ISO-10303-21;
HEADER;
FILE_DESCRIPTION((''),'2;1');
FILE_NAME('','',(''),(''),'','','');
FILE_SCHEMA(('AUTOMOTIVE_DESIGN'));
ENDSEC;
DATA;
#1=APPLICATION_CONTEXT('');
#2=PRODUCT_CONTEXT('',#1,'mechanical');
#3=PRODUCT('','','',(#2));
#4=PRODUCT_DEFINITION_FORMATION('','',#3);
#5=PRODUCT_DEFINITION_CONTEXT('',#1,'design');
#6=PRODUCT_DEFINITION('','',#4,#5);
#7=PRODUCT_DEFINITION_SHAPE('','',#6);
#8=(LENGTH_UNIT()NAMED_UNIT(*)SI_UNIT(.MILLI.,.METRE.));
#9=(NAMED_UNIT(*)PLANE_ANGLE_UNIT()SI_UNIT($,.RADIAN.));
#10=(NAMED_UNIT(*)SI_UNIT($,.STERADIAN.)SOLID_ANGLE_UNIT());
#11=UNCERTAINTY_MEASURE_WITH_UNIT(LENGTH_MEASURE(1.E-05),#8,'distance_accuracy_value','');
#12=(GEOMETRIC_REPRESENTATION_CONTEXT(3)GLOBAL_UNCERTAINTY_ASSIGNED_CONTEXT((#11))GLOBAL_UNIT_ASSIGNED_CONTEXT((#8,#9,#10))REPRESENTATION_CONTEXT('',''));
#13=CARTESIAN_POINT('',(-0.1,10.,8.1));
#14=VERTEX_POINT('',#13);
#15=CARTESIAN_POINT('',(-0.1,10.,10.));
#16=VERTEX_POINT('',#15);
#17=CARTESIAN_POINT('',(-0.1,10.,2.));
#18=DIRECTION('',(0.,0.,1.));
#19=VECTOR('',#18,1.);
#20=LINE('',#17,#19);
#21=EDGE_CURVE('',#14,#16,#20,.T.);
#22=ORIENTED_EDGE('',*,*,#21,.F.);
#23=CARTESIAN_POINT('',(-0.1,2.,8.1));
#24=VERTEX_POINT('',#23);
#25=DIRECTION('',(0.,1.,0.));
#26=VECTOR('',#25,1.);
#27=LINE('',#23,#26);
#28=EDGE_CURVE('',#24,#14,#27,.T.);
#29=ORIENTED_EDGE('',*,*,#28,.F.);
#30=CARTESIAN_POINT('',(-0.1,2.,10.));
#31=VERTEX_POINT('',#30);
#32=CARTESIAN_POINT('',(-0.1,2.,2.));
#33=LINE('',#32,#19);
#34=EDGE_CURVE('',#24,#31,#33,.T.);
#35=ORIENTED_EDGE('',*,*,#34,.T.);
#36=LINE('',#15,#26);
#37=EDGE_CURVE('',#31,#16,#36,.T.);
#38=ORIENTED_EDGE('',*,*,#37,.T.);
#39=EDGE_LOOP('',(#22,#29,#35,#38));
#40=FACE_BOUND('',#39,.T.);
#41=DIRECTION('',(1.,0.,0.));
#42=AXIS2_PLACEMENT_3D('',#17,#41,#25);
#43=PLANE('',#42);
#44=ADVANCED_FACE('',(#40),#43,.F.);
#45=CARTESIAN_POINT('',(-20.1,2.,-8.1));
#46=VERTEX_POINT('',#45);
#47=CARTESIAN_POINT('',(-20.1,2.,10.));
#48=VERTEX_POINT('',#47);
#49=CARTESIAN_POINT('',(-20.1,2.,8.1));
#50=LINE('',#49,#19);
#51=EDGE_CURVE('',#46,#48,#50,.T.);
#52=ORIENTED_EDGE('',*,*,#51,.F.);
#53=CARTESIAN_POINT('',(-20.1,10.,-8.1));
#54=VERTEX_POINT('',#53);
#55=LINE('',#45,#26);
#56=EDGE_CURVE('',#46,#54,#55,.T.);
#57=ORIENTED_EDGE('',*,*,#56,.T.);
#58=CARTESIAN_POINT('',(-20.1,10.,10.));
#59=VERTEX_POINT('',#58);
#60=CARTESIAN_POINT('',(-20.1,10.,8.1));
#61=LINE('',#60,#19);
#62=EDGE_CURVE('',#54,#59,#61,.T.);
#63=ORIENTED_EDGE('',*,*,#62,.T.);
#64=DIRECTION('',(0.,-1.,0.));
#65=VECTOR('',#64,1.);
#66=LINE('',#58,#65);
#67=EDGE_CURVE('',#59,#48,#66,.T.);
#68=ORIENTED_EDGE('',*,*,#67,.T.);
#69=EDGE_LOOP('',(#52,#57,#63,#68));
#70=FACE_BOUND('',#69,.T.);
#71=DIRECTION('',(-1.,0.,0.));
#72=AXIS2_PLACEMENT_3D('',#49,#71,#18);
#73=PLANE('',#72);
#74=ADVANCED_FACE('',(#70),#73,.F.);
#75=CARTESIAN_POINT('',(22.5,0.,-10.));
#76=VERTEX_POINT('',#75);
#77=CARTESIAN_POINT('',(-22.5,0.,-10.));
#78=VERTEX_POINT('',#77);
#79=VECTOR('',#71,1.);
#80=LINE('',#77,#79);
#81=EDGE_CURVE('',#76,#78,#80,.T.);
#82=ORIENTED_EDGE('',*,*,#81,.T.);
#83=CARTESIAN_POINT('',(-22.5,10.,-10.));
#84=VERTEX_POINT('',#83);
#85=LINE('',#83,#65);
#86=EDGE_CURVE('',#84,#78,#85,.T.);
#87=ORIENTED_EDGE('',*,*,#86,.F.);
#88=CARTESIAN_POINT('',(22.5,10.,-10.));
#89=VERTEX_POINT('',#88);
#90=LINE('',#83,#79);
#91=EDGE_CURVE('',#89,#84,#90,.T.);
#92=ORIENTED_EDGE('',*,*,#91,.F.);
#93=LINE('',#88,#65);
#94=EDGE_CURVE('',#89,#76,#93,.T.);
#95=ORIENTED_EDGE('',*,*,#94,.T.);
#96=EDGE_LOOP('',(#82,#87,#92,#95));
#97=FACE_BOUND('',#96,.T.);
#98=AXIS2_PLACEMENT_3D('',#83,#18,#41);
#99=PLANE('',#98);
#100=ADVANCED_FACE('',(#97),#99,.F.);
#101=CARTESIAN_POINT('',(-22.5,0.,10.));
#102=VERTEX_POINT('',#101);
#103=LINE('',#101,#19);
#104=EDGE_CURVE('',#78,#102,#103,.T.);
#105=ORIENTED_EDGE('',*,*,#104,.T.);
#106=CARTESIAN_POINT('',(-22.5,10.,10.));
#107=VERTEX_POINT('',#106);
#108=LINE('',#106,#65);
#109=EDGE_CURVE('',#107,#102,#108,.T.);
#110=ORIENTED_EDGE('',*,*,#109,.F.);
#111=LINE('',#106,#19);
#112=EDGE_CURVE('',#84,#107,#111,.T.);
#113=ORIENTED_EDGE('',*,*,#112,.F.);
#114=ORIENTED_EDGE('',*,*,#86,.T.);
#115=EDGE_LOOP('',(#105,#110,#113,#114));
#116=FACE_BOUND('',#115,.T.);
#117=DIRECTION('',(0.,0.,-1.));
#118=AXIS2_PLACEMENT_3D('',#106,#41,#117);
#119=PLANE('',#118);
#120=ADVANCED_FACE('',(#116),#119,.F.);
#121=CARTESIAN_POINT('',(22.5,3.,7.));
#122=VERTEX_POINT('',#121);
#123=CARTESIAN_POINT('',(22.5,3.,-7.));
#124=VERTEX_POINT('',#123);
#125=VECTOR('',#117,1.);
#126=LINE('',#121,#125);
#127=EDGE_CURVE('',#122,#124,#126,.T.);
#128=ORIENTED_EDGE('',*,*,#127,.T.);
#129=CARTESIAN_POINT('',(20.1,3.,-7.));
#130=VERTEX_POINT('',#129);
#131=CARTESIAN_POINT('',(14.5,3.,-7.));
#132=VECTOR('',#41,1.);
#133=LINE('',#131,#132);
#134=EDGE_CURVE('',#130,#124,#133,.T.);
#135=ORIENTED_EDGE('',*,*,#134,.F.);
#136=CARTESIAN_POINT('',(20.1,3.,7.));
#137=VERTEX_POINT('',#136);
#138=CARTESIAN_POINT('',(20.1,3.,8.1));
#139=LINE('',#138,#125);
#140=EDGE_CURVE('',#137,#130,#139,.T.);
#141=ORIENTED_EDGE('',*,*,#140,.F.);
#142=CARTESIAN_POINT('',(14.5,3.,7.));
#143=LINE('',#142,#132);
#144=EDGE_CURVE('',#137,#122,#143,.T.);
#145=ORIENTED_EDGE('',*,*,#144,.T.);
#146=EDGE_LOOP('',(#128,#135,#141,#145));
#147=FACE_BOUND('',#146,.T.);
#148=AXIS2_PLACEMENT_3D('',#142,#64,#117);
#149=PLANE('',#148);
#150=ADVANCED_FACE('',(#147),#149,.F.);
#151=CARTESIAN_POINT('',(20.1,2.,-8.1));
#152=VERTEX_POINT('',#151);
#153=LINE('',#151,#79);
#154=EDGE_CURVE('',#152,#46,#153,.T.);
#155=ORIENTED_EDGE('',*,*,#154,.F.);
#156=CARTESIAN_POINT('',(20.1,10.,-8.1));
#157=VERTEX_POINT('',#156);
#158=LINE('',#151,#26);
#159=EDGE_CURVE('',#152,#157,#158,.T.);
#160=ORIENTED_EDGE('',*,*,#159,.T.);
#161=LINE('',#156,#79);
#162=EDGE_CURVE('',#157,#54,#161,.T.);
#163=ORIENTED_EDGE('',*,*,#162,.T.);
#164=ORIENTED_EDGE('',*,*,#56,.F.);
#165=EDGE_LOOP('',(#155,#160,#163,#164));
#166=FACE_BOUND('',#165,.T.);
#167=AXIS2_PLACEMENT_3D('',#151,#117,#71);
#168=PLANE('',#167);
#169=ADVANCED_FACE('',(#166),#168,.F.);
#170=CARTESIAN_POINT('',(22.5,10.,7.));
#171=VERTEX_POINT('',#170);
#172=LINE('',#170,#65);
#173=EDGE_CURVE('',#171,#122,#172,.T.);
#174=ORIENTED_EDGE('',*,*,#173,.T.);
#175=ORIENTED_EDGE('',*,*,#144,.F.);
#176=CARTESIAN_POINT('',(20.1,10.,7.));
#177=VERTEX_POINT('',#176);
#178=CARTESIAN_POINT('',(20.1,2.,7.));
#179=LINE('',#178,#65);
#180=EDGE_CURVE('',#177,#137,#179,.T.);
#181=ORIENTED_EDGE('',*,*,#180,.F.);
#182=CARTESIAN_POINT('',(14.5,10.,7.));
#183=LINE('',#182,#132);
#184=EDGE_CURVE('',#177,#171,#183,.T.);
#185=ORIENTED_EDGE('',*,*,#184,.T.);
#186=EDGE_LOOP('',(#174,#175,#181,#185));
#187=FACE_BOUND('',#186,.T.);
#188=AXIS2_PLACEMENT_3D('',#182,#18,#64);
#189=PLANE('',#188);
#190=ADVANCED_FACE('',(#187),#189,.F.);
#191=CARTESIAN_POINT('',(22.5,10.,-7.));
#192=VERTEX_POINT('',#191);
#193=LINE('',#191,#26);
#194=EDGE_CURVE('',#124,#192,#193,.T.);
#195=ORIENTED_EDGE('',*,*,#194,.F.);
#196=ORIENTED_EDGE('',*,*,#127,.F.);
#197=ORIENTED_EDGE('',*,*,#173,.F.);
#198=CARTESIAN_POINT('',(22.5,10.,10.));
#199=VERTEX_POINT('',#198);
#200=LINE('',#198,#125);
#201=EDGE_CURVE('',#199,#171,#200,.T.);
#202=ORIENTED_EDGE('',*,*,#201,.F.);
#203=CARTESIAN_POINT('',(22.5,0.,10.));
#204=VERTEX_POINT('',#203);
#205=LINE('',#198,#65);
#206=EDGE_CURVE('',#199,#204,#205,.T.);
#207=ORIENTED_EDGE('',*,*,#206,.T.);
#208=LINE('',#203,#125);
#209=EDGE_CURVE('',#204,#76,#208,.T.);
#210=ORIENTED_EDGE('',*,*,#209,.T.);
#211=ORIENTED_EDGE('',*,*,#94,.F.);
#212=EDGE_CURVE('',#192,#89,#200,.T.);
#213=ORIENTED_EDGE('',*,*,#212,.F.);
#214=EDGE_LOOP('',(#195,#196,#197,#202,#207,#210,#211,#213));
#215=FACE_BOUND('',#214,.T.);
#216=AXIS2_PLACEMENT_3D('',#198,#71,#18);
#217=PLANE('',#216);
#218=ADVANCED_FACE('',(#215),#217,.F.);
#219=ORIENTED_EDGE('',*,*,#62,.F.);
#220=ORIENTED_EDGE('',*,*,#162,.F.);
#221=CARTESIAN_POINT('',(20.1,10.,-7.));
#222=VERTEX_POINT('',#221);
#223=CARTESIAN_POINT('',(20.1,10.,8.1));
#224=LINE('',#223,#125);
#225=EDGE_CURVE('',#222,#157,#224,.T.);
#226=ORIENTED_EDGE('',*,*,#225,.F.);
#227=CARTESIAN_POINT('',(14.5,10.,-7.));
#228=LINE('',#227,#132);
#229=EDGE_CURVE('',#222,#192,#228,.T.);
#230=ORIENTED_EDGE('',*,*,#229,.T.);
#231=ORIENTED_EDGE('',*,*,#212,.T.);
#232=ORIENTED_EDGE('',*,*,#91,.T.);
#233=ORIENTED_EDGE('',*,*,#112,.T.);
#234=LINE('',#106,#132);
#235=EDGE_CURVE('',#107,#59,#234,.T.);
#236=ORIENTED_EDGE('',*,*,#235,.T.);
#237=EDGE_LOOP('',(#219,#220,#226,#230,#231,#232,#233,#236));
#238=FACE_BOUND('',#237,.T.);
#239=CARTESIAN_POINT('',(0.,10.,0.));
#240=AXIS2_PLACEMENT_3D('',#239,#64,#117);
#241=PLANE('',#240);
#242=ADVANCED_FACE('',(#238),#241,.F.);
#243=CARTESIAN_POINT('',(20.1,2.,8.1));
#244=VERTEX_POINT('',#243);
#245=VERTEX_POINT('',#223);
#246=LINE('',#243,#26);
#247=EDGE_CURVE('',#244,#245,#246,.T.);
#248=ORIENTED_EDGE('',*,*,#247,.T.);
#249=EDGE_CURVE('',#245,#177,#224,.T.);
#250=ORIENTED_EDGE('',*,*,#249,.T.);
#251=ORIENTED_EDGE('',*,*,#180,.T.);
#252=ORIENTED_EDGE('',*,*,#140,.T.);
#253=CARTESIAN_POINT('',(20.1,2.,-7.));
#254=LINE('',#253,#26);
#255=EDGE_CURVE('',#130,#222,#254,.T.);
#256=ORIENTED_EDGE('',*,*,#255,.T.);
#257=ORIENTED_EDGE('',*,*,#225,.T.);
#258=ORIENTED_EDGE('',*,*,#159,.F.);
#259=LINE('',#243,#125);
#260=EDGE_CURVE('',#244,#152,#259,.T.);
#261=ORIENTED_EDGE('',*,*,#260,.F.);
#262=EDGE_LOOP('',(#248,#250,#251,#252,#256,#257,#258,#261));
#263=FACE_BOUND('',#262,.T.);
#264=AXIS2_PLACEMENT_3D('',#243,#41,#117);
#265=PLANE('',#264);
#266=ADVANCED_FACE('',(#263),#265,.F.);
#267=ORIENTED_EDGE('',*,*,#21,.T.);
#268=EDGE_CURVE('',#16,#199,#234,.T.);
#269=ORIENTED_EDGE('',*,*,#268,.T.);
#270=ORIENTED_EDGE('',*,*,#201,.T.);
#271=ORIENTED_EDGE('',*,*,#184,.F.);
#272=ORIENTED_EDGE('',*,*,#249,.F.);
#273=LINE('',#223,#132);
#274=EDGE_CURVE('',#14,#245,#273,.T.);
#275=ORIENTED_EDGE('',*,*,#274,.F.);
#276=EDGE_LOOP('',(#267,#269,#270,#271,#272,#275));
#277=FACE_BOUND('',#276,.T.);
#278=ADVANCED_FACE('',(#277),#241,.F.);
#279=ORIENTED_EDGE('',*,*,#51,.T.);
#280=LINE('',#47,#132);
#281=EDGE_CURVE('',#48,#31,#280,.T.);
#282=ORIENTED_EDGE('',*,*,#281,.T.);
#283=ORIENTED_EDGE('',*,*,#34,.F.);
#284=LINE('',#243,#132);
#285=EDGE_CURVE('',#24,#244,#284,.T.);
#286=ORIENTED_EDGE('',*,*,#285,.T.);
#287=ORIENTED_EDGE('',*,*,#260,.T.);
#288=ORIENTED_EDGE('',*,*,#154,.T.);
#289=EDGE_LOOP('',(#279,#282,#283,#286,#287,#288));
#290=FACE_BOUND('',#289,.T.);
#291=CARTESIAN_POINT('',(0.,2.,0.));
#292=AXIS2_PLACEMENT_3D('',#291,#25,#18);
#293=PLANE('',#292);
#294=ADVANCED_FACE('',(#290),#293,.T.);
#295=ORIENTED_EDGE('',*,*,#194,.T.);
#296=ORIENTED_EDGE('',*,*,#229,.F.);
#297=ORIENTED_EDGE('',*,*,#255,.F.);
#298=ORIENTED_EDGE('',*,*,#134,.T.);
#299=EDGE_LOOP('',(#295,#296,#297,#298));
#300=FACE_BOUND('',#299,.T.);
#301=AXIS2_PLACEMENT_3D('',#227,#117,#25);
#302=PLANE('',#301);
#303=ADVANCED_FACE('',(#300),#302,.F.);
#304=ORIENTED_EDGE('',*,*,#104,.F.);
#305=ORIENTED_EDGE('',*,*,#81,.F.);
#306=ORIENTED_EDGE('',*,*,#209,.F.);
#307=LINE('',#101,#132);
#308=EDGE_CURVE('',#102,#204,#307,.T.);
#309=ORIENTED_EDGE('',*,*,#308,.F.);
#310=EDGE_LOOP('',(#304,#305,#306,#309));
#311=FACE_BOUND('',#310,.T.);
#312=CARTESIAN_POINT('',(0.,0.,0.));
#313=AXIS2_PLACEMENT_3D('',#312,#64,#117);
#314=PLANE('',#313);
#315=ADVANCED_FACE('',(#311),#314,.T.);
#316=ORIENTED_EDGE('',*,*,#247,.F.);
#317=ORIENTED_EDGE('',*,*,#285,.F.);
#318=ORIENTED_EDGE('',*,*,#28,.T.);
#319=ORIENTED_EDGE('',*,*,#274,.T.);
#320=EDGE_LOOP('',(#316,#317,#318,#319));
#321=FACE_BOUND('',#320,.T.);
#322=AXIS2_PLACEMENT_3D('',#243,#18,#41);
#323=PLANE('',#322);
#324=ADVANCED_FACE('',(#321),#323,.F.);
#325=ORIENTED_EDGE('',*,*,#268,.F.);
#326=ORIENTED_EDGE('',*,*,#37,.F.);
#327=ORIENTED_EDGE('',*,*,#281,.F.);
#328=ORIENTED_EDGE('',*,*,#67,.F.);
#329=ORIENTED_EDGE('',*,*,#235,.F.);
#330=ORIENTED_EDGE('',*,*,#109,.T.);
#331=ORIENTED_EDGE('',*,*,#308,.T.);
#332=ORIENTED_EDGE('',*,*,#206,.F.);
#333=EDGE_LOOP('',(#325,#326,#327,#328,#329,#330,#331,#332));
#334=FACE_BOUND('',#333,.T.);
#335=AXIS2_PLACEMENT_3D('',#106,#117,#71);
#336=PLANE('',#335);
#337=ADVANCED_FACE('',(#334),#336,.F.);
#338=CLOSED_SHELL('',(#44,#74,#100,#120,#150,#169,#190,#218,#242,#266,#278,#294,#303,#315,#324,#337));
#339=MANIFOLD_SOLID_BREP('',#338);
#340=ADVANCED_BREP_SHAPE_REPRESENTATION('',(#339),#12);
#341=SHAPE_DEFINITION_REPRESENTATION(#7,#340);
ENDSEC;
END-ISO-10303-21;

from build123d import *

# Parameters (mm, degrees)
CROQUIS1_W              = 45
CROQUIS1_H              = 20
SALIENTE_EXTRUIR1_DEPTH = 10
CROQUIS2_W              = 40.2
CROQUIS2_H              = 16.2
CORTAR_EXTRUIR1_DEPTH   = 8
CROQUIS3_W              = 14
CROQUIS3_H              = 7
CORTAR_EXTRUIR2_DEPTH   = 8
CROQUIS4_W              = 20
CROQUIS4_H              = 8
CORTAR_EXTRUIR3_DEPTH   = 8


with BuildPart() as part:
    # Croquis1 → Saliente-Extruir1 (new body)
    with BuildSketch(Plane(origin=(0, 0, 0), x_dir=(1, 0, 0), z_dir=(0, 1, 0))):
        Rectangle(CROQUIS1_W, CROQUIS1_H)
    extrude(amount=SALIENTE_EXTRUIR1_DEPTH)

    # Croquis2 → Cortar-Extruir1 (cut)
    with BuildSketch(Plane(origin=(0, 10, 0), x_dir=(1, 0, 0), z_dir=(0, 1, 0))):
        Rectangle(CROQUIS2_W, CROQUIS2_H)
    extrude(amount=-CORTAR_EXTRUIR1_DEPTH, mode=Mode.SUBTRACT)

    # Croquis3 → Cortar-Extruir2 (cut)
    with BuildSketch(Plane(origin=(22.5, 0, 0), x_dir=(0, 0, -1), z_dir=(1, 0, 0))):
        with Locations((0, 6.5)):
            Rectangle(CROQUIS3_W, CROQUIS3_H)
    extrude(amount=-CORTAR_EXTRUIR2_DEPTH, mode=Mode.SUBTRACT)

    # Croquis4 → Cortar-Extruir3 (cut)
    with BuildSketch(Plane.XY.offset(10)):
        with Locations((-10.1, 6)):
            Rectangle(CROQUIS4_W, CROQUIS4_H)
    extrude(amount=-CORTAR_EXTRUIR3_DEPTH, mode=Mode.SUBTRACT)


solid = part.part
